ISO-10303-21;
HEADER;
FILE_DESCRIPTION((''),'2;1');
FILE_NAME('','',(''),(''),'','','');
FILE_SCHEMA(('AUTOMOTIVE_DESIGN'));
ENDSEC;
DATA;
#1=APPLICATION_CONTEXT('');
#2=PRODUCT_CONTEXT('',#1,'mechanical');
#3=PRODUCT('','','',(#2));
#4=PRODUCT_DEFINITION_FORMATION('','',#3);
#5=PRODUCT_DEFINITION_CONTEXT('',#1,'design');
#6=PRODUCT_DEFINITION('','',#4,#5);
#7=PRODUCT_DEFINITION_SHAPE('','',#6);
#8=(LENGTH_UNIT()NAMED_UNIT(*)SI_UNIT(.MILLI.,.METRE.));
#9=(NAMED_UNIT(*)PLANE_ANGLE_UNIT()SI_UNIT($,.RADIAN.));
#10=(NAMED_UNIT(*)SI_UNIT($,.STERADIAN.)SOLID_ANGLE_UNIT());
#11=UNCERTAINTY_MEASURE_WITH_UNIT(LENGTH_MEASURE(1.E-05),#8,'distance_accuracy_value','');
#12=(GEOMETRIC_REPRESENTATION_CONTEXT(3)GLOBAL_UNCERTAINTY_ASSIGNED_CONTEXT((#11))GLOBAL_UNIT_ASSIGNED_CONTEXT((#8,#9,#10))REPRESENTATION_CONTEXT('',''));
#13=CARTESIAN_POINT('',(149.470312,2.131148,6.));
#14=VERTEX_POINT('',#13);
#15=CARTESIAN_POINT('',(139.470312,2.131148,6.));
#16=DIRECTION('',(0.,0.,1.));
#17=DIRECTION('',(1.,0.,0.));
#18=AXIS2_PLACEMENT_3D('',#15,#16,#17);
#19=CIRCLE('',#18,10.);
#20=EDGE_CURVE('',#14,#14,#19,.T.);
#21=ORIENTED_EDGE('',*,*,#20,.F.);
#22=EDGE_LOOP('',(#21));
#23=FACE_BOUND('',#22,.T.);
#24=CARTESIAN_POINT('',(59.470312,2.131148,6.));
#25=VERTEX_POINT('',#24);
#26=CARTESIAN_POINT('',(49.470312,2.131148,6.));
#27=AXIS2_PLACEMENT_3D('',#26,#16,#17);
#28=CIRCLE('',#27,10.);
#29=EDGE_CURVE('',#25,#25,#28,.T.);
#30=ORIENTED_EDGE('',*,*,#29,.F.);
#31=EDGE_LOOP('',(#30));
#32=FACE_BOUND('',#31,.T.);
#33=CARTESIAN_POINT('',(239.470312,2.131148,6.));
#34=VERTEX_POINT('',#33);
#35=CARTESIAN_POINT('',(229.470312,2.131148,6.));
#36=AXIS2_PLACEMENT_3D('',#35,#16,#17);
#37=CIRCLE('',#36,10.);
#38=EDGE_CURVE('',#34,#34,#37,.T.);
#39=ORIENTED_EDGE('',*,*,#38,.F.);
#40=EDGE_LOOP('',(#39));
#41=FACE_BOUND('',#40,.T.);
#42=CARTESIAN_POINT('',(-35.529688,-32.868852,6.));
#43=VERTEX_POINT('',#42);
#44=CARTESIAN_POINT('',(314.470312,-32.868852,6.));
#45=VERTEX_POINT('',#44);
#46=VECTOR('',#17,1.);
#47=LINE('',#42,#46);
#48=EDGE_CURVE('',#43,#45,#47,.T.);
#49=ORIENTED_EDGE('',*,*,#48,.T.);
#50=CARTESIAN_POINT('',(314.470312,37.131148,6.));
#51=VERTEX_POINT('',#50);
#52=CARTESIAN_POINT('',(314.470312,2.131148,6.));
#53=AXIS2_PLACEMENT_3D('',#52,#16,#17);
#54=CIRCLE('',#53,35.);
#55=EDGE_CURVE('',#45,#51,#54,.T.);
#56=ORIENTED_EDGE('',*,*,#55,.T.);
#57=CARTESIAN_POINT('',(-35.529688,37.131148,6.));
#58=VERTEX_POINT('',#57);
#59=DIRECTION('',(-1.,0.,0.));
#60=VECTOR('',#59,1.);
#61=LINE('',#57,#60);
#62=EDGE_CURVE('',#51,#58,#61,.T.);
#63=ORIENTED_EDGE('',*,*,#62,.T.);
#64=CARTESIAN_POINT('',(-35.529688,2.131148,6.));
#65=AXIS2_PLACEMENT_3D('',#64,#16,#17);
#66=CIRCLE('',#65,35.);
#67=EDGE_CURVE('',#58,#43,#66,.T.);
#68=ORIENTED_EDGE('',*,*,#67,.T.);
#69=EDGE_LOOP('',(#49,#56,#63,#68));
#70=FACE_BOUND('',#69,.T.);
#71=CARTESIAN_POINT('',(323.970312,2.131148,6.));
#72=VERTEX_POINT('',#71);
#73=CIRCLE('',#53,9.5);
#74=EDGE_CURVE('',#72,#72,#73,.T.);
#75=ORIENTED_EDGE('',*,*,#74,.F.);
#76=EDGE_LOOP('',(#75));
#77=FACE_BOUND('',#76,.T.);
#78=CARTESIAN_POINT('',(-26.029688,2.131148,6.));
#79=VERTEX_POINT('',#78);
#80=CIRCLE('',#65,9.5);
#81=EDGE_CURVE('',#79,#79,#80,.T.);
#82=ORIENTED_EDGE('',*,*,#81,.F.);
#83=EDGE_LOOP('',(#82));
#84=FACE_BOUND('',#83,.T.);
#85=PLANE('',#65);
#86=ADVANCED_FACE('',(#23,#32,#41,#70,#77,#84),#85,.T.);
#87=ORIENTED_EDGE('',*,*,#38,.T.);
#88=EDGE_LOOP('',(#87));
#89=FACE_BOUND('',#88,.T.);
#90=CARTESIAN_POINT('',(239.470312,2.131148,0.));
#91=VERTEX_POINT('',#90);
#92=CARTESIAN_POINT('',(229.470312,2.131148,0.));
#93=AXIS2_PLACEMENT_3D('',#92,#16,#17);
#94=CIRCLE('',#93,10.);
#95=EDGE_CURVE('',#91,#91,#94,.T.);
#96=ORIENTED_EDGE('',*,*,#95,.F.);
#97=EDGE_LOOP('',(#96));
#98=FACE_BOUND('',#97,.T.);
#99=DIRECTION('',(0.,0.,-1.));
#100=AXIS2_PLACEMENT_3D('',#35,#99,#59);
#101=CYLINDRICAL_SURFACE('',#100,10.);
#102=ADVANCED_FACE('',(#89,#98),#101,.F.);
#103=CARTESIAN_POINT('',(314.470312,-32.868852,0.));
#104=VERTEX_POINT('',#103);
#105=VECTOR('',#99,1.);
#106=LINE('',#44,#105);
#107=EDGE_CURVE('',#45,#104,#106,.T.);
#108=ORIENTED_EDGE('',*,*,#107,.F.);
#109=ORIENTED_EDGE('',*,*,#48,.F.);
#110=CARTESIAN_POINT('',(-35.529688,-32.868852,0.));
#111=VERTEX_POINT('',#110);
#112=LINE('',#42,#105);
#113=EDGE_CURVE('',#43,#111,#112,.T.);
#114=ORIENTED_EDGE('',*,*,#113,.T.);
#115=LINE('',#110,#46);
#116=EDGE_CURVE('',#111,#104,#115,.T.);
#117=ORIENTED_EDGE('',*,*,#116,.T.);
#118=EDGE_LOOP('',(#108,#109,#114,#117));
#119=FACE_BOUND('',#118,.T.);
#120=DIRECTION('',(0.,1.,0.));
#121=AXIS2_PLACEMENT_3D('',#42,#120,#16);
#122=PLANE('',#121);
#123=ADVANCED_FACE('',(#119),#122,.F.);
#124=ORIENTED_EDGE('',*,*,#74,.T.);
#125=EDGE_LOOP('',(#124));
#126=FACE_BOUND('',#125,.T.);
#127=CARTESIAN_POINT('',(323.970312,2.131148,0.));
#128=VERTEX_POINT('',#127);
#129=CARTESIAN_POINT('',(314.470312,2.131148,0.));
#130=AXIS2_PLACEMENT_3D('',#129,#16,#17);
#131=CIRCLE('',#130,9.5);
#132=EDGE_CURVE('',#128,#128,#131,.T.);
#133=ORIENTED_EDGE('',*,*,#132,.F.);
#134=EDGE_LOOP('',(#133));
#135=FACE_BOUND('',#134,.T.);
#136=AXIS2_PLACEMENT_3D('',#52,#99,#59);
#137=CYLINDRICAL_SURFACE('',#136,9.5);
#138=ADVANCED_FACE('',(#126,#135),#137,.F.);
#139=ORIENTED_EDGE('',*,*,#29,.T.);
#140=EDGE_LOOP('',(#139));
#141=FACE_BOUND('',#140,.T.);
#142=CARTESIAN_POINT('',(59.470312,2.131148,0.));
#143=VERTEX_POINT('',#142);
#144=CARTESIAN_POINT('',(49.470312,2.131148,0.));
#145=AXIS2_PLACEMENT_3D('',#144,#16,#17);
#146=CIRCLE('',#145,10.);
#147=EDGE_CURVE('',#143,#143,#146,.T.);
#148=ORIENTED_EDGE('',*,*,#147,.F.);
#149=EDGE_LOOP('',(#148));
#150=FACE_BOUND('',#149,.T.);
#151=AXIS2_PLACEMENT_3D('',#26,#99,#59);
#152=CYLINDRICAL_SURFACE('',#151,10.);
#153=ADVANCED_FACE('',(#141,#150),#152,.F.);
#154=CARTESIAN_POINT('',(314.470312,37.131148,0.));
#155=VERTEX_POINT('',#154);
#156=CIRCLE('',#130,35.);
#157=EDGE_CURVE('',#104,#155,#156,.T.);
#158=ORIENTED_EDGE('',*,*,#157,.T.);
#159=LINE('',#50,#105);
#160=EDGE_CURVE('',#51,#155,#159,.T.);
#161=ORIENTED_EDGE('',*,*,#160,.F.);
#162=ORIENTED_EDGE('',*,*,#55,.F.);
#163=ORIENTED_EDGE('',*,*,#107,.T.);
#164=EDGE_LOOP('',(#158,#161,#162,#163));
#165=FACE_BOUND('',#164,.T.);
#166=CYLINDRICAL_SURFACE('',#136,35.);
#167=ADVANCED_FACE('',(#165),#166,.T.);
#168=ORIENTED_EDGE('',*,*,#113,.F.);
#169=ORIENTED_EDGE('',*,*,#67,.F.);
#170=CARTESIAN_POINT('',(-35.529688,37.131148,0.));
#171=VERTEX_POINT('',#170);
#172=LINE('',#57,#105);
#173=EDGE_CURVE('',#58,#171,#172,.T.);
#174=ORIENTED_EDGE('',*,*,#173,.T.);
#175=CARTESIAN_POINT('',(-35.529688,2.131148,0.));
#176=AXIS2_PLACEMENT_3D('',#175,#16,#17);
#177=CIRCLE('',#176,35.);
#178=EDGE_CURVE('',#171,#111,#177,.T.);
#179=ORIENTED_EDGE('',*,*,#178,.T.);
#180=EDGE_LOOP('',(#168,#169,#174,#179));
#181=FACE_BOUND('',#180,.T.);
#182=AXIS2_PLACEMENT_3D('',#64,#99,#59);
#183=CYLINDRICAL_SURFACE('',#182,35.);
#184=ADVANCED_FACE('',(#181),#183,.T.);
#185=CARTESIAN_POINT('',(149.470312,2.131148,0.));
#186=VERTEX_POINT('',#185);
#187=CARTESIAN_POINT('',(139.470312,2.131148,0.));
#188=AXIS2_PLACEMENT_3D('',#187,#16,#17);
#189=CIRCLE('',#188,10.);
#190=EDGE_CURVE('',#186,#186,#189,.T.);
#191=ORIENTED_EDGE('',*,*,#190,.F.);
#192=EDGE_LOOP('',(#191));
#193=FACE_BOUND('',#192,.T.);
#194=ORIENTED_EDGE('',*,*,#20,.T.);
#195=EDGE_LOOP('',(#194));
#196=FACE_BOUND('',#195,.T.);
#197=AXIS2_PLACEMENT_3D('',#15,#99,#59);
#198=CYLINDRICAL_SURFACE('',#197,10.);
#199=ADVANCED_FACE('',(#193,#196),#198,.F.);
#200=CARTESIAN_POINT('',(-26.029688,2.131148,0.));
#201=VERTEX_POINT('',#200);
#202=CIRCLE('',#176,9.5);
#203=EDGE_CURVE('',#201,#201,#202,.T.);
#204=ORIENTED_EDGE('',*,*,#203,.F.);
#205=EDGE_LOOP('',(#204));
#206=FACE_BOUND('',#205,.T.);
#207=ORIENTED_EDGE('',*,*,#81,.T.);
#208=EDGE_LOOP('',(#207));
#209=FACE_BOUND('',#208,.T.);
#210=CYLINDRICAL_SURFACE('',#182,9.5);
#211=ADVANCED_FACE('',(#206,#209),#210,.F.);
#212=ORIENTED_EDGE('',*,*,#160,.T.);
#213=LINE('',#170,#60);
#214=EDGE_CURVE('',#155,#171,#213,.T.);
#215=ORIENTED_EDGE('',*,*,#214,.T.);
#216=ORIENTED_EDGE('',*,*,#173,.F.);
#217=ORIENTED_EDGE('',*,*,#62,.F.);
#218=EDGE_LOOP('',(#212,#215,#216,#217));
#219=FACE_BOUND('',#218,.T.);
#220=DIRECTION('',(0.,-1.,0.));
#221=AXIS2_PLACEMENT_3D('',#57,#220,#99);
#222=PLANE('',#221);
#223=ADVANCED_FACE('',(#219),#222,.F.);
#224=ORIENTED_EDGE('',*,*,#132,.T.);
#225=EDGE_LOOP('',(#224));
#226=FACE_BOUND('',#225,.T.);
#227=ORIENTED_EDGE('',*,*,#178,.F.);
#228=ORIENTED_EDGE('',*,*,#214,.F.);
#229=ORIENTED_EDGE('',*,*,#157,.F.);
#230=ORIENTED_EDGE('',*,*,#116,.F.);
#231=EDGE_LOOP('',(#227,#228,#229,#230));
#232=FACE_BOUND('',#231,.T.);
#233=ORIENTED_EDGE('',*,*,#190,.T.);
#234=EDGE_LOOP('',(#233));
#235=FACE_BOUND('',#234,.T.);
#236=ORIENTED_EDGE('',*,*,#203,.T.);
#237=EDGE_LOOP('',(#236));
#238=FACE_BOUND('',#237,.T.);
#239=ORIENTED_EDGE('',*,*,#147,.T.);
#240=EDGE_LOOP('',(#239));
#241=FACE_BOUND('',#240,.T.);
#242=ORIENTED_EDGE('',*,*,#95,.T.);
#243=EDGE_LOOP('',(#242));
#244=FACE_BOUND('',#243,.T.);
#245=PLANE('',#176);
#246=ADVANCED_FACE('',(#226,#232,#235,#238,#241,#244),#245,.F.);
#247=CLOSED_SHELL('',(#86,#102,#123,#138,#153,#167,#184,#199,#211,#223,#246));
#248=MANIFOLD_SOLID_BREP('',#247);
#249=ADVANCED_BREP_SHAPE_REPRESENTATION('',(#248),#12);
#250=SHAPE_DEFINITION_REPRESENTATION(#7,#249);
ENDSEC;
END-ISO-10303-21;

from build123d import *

# Parameters (mm, degrees)
SKETCH1_R           = 9.5
SKETCH1_R_2         = 10
BOSS_EXTRUDE1_DEPTH = 6


with BuildPart() as part:
    # Sketch1 → Boss-Extrude1 (new body)
    with BuildSketch(Plane.XY):
        with BuildLine():
            Line((-35.529687849, 37.131147541), (314.470312151, 37.131147541))
            ThreePointArc((314.470312151, 37.131147541), (349.470312151, 2.131147541), (314.470312151, -32.868852459))
            Line((314.470312151, -32.868852459), (-35.529687849, -32.868852459))
            ThreePointArc((-35.529687849, -32.868852459), (-70.529687849, 2.131147541), (-35.529687849, 37.131147541))
        make_face()
        with Locations((-35.529687849, 2.131147541)):
            Circle(SKETCH1_R, mode=Mode.SUBTRACT)
        with Locations((314.470312151, 2.131147541)):
            Circle(SKETCH1_R, mode=Mode.SUBTRACT)
        with Locations((139.470312151, 2.131147541)):
            Circle(SKETCH1_R_2, mode=Mode.SUBTRACT)
        with Locations((229.470312151, 2.131147541)):
            Circle(SKETCH1_R_2, mode=Mode.SUBTRACT)
        with Locations((49.470312151, 2.131147541)):
            Circle(SKETCH1_R_2, mode=Mode.SUBTRACT)
    extrude(amount=BOSS_EXTRUDE1_DEPTH)


solid = part.part
